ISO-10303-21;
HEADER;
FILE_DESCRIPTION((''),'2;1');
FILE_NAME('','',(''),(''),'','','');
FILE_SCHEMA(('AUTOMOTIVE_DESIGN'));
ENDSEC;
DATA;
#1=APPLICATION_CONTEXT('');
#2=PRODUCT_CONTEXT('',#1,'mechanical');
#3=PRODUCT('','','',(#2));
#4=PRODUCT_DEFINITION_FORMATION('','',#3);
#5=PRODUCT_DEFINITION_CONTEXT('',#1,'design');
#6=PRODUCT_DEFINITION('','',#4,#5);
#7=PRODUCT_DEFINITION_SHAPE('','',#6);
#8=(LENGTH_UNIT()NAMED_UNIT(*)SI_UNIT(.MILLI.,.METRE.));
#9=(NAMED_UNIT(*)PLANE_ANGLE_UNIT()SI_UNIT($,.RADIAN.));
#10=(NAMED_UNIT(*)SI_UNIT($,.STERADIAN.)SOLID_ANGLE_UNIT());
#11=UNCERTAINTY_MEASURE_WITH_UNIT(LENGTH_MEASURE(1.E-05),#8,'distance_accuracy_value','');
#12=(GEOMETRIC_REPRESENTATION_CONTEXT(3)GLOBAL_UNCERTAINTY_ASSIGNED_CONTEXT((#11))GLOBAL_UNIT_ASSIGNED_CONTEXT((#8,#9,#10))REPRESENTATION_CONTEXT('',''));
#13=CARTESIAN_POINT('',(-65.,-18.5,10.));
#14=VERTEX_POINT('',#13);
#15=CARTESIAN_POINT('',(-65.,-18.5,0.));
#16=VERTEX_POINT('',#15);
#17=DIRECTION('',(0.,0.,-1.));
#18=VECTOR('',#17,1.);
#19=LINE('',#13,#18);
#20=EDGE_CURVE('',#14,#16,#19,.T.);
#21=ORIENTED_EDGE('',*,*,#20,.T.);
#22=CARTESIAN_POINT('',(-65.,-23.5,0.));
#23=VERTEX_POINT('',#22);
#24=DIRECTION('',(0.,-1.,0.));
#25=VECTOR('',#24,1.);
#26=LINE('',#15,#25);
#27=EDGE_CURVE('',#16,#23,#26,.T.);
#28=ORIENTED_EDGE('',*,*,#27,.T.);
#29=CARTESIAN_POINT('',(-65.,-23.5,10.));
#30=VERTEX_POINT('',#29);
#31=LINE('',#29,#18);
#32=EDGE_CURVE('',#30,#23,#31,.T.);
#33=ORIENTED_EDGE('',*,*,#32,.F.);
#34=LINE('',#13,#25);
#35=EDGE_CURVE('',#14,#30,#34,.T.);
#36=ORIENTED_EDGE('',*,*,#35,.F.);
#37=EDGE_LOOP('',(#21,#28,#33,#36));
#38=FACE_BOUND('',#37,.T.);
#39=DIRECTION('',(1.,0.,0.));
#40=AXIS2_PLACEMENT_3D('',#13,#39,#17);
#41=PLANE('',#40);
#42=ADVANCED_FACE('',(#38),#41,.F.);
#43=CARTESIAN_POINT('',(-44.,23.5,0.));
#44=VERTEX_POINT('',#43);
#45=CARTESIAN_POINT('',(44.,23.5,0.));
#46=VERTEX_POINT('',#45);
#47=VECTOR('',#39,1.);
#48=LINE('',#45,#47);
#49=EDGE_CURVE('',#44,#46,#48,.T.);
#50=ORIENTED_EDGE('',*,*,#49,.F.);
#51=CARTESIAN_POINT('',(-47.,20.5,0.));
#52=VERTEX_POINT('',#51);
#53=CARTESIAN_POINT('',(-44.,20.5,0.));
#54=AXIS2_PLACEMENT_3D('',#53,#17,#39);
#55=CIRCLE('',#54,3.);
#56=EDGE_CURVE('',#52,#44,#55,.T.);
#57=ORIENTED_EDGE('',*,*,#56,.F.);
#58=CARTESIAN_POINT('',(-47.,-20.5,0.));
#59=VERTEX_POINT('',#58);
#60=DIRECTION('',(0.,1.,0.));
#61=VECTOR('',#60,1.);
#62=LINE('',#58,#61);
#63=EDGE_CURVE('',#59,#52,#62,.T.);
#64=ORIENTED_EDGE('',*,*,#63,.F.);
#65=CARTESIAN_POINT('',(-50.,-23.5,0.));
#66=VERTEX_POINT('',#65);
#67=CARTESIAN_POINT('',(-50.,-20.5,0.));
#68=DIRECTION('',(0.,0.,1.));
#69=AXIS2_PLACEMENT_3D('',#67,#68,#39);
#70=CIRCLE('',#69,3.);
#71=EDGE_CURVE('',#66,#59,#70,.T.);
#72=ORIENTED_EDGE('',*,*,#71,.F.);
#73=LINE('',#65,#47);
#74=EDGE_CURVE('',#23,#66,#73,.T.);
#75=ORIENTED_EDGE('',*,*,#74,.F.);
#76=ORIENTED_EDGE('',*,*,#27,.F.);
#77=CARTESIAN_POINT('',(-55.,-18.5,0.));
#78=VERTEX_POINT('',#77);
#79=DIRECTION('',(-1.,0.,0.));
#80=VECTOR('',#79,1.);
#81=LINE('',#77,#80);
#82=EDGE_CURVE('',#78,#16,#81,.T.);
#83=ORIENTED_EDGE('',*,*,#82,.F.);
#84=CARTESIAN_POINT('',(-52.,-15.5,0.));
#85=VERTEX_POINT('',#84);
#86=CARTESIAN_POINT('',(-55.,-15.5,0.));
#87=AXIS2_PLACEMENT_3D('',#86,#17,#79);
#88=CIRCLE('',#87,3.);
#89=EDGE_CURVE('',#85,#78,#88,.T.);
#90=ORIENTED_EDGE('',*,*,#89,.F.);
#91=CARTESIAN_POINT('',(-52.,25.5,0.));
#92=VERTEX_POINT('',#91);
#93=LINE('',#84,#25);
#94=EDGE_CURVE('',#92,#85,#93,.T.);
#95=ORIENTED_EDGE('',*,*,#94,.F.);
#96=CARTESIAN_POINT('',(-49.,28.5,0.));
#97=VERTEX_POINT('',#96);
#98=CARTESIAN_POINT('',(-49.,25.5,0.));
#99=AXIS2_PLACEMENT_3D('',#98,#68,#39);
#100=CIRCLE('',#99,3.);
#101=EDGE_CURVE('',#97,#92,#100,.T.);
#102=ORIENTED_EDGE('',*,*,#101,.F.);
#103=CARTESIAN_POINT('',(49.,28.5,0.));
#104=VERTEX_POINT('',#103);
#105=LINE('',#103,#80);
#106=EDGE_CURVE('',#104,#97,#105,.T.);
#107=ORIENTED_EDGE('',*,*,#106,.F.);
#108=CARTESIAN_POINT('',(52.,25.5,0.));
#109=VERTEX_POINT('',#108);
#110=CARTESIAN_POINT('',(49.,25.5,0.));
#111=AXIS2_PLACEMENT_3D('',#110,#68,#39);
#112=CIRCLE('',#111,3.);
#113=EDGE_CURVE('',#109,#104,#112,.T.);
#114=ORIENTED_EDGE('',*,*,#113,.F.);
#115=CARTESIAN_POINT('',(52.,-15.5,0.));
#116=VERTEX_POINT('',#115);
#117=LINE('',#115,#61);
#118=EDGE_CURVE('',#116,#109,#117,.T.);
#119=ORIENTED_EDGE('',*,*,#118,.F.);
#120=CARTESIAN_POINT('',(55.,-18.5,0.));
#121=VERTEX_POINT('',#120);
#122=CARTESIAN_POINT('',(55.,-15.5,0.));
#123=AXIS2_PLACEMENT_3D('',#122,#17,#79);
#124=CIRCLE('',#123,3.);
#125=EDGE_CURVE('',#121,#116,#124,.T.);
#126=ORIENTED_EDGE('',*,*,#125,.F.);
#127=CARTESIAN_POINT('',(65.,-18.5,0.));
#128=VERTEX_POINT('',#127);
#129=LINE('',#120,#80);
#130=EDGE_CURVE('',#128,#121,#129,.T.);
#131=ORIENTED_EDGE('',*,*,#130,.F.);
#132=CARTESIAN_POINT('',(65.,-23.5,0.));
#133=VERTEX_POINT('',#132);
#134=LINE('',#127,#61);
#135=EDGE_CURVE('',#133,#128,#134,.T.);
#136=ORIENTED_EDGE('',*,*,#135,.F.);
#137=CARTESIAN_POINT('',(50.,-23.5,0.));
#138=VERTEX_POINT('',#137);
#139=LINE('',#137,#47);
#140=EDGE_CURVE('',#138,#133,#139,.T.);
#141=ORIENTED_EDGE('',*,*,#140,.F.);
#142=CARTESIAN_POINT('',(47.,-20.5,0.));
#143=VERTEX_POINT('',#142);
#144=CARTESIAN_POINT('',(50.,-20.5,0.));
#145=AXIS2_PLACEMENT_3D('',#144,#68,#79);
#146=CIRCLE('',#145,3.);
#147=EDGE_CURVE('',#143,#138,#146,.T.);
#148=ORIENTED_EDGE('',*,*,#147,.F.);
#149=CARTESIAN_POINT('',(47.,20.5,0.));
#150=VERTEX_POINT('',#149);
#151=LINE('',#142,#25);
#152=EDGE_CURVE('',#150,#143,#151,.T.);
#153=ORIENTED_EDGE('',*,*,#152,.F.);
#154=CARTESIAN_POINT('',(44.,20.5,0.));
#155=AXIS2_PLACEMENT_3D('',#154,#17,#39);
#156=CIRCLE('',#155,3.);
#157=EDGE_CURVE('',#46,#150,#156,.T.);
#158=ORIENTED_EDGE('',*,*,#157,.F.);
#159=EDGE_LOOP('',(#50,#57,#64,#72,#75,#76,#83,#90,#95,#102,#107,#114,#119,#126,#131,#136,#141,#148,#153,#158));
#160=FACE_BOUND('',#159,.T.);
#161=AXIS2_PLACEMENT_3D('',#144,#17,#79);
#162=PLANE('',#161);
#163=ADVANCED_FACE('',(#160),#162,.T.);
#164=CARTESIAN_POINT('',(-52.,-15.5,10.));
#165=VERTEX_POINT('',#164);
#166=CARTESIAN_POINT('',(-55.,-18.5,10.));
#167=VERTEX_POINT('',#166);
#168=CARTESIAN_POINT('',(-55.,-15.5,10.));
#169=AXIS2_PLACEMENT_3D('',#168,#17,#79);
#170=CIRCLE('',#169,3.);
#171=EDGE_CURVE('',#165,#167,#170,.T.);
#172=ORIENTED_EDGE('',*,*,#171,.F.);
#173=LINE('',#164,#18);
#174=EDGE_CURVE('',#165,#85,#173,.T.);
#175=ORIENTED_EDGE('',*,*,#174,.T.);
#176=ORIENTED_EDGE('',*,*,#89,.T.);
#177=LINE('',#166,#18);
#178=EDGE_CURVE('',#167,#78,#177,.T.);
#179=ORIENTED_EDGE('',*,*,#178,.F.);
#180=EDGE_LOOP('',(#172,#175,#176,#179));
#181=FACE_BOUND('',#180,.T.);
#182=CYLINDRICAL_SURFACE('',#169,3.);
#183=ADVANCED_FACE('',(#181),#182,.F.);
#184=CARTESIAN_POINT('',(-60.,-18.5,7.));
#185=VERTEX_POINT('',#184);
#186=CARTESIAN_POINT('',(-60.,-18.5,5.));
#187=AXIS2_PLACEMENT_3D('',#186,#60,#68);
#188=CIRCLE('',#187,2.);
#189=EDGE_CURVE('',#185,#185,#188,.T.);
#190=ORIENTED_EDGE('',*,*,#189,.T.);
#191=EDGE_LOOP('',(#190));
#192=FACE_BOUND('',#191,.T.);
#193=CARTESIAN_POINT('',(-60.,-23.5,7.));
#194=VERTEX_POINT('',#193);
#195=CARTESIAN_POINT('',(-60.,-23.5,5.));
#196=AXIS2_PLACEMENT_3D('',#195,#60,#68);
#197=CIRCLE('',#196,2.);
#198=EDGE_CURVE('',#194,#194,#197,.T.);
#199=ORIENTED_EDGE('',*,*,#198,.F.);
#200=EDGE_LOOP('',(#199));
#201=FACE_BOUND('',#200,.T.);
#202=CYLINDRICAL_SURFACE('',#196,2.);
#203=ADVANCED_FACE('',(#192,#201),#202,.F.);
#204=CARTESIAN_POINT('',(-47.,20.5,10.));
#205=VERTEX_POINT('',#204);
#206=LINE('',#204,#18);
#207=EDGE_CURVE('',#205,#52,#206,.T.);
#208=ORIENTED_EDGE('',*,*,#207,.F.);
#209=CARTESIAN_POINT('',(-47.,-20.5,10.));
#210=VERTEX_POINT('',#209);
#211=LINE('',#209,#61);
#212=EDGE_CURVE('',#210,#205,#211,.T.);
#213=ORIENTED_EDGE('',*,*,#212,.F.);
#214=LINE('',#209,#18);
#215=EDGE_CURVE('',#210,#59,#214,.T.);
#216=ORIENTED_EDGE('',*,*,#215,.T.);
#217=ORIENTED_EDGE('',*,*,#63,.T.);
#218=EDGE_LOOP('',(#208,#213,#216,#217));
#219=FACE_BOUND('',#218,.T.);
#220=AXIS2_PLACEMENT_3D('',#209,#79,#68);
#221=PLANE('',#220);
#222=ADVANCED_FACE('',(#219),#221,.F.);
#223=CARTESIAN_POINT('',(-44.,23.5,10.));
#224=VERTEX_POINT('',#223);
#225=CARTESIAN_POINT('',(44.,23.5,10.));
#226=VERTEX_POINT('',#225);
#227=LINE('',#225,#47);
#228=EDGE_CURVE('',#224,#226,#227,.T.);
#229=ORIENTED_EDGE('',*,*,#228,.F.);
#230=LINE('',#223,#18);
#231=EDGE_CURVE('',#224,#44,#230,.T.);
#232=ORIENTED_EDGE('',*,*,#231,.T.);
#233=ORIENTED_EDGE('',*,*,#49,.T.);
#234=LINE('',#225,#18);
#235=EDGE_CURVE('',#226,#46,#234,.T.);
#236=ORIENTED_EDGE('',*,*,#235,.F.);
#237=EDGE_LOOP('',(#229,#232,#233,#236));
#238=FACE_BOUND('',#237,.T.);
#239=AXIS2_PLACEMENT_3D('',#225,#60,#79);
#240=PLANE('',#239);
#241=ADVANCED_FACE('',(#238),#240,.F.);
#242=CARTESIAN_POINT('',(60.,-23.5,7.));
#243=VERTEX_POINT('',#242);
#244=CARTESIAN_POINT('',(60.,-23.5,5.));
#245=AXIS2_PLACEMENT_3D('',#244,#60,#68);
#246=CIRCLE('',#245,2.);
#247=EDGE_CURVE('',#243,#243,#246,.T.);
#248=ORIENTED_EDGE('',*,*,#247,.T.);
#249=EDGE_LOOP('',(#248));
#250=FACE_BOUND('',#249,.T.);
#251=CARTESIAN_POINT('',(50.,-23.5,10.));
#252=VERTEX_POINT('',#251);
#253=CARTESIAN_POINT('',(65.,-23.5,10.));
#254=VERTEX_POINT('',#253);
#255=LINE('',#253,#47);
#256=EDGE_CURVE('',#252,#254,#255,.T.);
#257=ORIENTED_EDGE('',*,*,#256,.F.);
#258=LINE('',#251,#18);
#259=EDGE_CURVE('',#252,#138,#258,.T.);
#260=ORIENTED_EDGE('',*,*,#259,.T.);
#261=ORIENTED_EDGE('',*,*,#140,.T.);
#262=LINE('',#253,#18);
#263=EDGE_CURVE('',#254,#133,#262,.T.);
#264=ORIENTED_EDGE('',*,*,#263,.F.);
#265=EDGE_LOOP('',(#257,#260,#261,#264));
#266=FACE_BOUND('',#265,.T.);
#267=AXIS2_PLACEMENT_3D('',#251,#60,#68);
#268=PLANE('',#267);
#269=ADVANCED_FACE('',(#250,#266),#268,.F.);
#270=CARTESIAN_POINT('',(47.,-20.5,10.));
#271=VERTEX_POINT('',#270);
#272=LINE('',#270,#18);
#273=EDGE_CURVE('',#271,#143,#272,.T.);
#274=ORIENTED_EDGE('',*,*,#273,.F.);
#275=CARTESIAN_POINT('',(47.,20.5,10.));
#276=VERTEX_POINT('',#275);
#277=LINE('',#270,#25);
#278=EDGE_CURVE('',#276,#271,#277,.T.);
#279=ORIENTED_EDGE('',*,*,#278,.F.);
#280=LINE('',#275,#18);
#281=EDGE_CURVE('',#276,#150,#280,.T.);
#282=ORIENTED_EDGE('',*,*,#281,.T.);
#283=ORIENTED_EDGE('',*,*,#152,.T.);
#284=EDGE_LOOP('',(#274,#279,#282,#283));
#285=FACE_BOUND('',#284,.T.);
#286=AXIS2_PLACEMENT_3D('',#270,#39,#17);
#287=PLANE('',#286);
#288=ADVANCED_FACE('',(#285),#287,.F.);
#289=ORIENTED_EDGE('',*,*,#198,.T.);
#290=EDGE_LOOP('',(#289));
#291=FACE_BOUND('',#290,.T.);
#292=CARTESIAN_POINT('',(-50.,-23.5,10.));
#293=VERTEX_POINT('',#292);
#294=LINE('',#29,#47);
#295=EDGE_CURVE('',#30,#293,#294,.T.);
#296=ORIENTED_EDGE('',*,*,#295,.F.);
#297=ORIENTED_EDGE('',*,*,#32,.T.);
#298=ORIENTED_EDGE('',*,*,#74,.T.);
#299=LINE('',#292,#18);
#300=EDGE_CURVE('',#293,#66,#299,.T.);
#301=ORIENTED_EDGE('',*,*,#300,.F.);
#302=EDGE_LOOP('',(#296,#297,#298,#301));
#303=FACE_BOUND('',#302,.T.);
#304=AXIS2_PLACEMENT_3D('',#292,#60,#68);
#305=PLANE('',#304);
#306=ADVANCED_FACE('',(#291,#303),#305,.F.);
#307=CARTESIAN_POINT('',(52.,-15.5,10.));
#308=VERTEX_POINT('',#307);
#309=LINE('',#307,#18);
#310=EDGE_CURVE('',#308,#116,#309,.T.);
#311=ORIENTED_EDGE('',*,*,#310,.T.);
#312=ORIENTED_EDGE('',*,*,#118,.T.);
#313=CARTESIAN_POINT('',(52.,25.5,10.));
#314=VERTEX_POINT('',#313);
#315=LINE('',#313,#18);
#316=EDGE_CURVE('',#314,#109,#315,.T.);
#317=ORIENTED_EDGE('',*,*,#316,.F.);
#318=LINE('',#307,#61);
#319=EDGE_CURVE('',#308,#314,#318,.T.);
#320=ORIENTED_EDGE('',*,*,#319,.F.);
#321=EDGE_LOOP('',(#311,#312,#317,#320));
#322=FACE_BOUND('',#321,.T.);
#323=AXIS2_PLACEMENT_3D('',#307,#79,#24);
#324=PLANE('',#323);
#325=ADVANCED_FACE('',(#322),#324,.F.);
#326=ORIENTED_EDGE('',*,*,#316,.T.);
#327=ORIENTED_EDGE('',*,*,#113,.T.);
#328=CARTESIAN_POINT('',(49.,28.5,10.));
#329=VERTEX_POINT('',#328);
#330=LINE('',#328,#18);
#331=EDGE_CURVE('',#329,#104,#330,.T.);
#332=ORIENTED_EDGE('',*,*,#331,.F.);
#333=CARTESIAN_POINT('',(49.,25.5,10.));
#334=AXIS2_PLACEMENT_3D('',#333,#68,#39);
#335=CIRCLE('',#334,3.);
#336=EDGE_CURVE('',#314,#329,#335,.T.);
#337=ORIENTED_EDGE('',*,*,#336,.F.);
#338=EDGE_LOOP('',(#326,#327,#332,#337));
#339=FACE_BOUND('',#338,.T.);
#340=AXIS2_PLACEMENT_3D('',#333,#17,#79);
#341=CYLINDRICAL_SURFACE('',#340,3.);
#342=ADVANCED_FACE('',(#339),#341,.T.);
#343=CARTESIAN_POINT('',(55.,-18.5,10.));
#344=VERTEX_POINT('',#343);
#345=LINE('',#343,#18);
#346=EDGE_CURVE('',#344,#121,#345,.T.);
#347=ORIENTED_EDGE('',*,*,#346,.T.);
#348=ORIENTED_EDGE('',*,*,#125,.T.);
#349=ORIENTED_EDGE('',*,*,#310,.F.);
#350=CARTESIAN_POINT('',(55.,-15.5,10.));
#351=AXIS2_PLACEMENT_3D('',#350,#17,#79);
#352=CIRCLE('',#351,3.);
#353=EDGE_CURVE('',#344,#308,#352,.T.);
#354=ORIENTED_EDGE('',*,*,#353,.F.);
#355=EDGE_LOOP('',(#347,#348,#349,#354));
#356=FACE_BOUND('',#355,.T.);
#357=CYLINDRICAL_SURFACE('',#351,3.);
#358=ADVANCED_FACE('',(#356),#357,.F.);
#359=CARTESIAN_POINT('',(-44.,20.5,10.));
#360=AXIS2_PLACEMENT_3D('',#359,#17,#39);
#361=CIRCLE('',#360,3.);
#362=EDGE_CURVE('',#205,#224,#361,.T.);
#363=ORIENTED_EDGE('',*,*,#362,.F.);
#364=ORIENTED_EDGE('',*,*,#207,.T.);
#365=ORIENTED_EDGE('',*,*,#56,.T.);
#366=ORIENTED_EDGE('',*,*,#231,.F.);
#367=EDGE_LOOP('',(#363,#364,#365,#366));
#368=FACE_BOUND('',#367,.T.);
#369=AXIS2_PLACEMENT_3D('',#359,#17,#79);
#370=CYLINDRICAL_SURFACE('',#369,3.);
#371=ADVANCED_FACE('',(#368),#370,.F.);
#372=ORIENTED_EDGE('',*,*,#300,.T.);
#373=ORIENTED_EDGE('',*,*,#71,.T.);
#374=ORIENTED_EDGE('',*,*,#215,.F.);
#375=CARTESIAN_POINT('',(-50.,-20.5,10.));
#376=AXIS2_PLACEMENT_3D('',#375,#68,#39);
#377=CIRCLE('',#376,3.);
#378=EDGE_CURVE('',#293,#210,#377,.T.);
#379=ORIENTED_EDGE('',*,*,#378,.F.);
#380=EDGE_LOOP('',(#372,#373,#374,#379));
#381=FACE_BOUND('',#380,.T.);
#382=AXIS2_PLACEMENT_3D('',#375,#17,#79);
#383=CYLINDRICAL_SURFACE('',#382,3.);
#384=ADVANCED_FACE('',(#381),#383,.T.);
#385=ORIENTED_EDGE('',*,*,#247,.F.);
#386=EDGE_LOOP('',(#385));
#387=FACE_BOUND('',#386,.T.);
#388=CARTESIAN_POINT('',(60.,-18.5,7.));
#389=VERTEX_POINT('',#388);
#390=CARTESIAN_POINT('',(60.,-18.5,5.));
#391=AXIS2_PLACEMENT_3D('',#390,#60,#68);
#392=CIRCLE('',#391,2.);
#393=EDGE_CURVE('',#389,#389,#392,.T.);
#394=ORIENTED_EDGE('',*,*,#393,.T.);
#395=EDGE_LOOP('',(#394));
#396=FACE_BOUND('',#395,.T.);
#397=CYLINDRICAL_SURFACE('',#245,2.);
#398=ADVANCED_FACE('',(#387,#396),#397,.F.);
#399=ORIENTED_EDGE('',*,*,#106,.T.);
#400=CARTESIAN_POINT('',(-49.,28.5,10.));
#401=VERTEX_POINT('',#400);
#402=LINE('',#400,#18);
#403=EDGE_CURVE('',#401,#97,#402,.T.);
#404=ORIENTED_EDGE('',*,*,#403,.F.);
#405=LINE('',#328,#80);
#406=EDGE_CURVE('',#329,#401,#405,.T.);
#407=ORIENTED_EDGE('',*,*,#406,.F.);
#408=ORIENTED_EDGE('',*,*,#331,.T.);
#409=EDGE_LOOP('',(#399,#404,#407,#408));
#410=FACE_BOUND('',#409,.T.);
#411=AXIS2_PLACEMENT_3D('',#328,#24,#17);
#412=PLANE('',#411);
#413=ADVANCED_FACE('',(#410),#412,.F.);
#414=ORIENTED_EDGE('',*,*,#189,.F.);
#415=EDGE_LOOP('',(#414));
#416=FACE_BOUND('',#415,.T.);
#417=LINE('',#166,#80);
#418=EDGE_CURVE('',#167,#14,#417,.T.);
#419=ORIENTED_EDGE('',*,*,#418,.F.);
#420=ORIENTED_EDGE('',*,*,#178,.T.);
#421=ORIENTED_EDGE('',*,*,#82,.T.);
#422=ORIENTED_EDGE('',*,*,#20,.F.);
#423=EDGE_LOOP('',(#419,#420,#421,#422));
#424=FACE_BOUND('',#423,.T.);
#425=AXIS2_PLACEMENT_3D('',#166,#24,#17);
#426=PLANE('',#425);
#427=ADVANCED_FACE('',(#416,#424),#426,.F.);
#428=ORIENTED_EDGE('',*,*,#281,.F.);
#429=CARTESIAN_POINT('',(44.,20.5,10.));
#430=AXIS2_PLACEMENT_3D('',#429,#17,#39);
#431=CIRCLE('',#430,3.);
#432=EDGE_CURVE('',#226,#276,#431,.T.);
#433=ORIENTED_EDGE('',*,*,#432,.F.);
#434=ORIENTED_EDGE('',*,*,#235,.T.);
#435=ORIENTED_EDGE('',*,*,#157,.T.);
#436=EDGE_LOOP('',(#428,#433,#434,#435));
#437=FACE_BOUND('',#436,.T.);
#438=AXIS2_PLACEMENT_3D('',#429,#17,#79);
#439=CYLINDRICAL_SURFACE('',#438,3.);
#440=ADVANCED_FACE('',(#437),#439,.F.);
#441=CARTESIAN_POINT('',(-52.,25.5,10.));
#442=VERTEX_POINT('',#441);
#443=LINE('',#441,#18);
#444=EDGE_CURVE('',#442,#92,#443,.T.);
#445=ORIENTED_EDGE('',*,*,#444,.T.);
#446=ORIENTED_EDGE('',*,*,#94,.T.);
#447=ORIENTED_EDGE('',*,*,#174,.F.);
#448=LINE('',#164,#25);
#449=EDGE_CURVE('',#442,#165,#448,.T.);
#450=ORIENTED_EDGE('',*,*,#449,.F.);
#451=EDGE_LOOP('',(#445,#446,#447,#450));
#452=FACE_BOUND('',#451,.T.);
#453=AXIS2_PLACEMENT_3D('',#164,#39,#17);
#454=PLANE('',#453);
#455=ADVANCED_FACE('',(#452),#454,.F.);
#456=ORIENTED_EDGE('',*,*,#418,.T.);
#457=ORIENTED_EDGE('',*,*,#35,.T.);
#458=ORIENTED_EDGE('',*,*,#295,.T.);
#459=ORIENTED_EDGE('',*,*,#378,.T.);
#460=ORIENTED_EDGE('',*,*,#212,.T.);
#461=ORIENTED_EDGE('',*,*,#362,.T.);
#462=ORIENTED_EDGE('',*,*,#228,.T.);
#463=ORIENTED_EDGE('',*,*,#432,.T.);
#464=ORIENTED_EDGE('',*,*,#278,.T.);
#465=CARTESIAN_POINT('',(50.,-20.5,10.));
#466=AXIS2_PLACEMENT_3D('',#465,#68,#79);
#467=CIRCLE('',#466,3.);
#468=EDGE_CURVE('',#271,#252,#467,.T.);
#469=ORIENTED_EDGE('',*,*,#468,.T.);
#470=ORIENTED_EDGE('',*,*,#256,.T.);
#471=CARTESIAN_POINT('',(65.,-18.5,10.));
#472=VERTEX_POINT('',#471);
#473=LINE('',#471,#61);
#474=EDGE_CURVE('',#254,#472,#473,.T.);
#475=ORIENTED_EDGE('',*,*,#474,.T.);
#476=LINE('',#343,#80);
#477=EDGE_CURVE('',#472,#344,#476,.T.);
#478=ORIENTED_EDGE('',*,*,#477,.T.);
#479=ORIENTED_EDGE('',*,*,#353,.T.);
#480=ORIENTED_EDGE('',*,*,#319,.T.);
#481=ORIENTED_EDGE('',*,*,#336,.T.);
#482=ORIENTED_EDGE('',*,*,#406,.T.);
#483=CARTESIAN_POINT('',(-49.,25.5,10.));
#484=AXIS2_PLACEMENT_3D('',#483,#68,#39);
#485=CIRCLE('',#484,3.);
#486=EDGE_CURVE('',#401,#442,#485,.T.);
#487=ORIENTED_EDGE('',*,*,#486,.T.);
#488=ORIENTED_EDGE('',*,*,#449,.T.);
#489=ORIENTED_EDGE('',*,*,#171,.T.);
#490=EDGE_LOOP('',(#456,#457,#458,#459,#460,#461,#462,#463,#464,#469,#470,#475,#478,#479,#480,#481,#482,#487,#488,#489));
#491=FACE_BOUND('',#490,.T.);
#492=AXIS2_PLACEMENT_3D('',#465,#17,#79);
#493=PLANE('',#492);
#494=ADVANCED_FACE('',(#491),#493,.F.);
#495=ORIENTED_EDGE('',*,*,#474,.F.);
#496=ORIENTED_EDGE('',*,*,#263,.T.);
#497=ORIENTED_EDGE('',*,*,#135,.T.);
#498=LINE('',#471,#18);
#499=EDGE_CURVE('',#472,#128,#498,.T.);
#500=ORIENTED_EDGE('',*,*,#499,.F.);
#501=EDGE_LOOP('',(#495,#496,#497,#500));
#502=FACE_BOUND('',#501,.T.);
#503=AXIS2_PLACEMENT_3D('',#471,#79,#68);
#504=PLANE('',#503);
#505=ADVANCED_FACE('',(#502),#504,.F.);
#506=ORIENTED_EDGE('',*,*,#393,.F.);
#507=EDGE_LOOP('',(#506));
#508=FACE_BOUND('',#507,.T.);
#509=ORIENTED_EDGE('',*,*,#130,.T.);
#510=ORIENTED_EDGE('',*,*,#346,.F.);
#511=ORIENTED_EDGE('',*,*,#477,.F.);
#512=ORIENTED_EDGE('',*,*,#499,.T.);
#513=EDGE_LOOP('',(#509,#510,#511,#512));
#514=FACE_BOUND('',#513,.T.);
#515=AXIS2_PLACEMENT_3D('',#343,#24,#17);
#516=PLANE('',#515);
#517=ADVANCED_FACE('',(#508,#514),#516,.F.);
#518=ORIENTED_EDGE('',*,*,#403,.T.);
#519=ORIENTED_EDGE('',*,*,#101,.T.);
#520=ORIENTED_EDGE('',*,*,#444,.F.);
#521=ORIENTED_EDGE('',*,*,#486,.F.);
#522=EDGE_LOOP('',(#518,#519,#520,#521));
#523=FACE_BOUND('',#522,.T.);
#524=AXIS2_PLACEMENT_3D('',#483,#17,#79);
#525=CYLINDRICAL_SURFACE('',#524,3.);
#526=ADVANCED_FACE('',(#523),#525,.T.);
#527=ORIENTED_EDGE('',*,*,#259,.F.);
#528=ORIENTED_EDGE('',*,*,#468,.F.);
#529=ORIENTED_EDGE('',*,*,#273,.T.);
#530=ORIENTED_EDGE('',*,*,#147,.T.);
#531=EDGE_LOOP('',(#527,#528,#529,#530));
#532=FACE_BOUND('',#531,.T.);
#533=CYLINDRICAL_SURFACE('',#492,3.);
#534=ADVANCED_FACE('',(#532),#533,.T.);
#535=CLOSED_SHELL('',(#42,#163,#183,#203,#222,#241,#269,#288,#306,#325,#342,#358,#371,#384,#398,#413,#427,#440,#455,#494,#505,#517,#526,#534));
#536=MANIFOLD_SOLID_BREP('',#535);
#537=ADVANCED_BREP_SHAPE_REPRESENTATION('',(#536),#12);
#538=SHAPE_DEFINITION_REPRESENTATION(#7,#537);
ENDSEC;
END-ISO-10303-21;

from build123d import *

# Parameters (mm, degrees)
BOSS_EXTRUDE1_DEPTH = 10
SKETCH2_R           = 2
CUT_EXTRUDE1_DEPTH  = 81.833161512


with BuildPart() as part:
    # Sketch1 → Boss-Extrude1 (new body)
    with BuildSketch(Plane.XY):
        with BuildLine():
            Line((52, -15.5), (52, 25.5))
            ThreePointArc((52, 25.5), (51.121320344, 27.621320344), (49, 28.5))
            Line((49, 28.5), (-49, 28.5))
            ThreePointArc((-49, 28.5), (-51.121320344, 27.621320344), (-52, 25.5))
            Line((-52, 25.5), (-52, -15.5))
            ThreePointArc((-52, -15.5), (-52.878679656, -17.621320344), (-55, -18.5))
            Line((-55, -18.5), (-65, -18.5))
            Line((-65, -18.5), (-65, -23.5))
            Line((-65, -23.5), (-52, -23.5))
            Line((-52, -23.5), (-50, -23.5))
            ThreePointArc((-50, -23.5), (-47.878679656, -22.621320344), (-47, -20.5))
            Line((-47, -20.5), (-47, 20.5))
            ThreePointArc((-47, 20.5), (-46.121320344, 22.621320344), (-44, 23.5))
            Line((-44, 23.5), (44, 23.5))
            ThreePointArc((44, 23.5), (46.121320344, 22.621320344), (47, 20.5))
            Line((47, 20.5), (47, -20.5))
            ThreePointArc((47, -20.5), (47.878679656, -22.621320344), (50, -23.5))
            Line((50, -23.5), (52, -23.5))
            Line((52, -23.5), (65, -23.5))
            Line((65, -23.5), (65, -18.5))
            Line((65, -18.5), (55, -18.5))
            ThreePointArc((55, -18.5), (52.878679656, -17.621320344), (52, -15.5))
        make_face()
    extrude(amount=BOSS_EXTRUDE1_DEPTH)

    # Sketch2 → Cut-Extrude1 (cut, through all)
    with BuildSketch(Plane(origin=(0, -18.5, 0), x_dir=(1, 0, 0), z_dir=(0, 1, 0))):
        with Locations(Location((-60, -5, 0), (0, 0, 270))):
            Circle(SKETCH2_R)
        with Locations(Location((60, -5, 0), (0, 0, 270))):
            Circle(SKETCH2_R)
    extrude(amount=-CUT_EXTRUDE1_DEPTH, mode=Mode.SUBTRACT)


solid = part.part
